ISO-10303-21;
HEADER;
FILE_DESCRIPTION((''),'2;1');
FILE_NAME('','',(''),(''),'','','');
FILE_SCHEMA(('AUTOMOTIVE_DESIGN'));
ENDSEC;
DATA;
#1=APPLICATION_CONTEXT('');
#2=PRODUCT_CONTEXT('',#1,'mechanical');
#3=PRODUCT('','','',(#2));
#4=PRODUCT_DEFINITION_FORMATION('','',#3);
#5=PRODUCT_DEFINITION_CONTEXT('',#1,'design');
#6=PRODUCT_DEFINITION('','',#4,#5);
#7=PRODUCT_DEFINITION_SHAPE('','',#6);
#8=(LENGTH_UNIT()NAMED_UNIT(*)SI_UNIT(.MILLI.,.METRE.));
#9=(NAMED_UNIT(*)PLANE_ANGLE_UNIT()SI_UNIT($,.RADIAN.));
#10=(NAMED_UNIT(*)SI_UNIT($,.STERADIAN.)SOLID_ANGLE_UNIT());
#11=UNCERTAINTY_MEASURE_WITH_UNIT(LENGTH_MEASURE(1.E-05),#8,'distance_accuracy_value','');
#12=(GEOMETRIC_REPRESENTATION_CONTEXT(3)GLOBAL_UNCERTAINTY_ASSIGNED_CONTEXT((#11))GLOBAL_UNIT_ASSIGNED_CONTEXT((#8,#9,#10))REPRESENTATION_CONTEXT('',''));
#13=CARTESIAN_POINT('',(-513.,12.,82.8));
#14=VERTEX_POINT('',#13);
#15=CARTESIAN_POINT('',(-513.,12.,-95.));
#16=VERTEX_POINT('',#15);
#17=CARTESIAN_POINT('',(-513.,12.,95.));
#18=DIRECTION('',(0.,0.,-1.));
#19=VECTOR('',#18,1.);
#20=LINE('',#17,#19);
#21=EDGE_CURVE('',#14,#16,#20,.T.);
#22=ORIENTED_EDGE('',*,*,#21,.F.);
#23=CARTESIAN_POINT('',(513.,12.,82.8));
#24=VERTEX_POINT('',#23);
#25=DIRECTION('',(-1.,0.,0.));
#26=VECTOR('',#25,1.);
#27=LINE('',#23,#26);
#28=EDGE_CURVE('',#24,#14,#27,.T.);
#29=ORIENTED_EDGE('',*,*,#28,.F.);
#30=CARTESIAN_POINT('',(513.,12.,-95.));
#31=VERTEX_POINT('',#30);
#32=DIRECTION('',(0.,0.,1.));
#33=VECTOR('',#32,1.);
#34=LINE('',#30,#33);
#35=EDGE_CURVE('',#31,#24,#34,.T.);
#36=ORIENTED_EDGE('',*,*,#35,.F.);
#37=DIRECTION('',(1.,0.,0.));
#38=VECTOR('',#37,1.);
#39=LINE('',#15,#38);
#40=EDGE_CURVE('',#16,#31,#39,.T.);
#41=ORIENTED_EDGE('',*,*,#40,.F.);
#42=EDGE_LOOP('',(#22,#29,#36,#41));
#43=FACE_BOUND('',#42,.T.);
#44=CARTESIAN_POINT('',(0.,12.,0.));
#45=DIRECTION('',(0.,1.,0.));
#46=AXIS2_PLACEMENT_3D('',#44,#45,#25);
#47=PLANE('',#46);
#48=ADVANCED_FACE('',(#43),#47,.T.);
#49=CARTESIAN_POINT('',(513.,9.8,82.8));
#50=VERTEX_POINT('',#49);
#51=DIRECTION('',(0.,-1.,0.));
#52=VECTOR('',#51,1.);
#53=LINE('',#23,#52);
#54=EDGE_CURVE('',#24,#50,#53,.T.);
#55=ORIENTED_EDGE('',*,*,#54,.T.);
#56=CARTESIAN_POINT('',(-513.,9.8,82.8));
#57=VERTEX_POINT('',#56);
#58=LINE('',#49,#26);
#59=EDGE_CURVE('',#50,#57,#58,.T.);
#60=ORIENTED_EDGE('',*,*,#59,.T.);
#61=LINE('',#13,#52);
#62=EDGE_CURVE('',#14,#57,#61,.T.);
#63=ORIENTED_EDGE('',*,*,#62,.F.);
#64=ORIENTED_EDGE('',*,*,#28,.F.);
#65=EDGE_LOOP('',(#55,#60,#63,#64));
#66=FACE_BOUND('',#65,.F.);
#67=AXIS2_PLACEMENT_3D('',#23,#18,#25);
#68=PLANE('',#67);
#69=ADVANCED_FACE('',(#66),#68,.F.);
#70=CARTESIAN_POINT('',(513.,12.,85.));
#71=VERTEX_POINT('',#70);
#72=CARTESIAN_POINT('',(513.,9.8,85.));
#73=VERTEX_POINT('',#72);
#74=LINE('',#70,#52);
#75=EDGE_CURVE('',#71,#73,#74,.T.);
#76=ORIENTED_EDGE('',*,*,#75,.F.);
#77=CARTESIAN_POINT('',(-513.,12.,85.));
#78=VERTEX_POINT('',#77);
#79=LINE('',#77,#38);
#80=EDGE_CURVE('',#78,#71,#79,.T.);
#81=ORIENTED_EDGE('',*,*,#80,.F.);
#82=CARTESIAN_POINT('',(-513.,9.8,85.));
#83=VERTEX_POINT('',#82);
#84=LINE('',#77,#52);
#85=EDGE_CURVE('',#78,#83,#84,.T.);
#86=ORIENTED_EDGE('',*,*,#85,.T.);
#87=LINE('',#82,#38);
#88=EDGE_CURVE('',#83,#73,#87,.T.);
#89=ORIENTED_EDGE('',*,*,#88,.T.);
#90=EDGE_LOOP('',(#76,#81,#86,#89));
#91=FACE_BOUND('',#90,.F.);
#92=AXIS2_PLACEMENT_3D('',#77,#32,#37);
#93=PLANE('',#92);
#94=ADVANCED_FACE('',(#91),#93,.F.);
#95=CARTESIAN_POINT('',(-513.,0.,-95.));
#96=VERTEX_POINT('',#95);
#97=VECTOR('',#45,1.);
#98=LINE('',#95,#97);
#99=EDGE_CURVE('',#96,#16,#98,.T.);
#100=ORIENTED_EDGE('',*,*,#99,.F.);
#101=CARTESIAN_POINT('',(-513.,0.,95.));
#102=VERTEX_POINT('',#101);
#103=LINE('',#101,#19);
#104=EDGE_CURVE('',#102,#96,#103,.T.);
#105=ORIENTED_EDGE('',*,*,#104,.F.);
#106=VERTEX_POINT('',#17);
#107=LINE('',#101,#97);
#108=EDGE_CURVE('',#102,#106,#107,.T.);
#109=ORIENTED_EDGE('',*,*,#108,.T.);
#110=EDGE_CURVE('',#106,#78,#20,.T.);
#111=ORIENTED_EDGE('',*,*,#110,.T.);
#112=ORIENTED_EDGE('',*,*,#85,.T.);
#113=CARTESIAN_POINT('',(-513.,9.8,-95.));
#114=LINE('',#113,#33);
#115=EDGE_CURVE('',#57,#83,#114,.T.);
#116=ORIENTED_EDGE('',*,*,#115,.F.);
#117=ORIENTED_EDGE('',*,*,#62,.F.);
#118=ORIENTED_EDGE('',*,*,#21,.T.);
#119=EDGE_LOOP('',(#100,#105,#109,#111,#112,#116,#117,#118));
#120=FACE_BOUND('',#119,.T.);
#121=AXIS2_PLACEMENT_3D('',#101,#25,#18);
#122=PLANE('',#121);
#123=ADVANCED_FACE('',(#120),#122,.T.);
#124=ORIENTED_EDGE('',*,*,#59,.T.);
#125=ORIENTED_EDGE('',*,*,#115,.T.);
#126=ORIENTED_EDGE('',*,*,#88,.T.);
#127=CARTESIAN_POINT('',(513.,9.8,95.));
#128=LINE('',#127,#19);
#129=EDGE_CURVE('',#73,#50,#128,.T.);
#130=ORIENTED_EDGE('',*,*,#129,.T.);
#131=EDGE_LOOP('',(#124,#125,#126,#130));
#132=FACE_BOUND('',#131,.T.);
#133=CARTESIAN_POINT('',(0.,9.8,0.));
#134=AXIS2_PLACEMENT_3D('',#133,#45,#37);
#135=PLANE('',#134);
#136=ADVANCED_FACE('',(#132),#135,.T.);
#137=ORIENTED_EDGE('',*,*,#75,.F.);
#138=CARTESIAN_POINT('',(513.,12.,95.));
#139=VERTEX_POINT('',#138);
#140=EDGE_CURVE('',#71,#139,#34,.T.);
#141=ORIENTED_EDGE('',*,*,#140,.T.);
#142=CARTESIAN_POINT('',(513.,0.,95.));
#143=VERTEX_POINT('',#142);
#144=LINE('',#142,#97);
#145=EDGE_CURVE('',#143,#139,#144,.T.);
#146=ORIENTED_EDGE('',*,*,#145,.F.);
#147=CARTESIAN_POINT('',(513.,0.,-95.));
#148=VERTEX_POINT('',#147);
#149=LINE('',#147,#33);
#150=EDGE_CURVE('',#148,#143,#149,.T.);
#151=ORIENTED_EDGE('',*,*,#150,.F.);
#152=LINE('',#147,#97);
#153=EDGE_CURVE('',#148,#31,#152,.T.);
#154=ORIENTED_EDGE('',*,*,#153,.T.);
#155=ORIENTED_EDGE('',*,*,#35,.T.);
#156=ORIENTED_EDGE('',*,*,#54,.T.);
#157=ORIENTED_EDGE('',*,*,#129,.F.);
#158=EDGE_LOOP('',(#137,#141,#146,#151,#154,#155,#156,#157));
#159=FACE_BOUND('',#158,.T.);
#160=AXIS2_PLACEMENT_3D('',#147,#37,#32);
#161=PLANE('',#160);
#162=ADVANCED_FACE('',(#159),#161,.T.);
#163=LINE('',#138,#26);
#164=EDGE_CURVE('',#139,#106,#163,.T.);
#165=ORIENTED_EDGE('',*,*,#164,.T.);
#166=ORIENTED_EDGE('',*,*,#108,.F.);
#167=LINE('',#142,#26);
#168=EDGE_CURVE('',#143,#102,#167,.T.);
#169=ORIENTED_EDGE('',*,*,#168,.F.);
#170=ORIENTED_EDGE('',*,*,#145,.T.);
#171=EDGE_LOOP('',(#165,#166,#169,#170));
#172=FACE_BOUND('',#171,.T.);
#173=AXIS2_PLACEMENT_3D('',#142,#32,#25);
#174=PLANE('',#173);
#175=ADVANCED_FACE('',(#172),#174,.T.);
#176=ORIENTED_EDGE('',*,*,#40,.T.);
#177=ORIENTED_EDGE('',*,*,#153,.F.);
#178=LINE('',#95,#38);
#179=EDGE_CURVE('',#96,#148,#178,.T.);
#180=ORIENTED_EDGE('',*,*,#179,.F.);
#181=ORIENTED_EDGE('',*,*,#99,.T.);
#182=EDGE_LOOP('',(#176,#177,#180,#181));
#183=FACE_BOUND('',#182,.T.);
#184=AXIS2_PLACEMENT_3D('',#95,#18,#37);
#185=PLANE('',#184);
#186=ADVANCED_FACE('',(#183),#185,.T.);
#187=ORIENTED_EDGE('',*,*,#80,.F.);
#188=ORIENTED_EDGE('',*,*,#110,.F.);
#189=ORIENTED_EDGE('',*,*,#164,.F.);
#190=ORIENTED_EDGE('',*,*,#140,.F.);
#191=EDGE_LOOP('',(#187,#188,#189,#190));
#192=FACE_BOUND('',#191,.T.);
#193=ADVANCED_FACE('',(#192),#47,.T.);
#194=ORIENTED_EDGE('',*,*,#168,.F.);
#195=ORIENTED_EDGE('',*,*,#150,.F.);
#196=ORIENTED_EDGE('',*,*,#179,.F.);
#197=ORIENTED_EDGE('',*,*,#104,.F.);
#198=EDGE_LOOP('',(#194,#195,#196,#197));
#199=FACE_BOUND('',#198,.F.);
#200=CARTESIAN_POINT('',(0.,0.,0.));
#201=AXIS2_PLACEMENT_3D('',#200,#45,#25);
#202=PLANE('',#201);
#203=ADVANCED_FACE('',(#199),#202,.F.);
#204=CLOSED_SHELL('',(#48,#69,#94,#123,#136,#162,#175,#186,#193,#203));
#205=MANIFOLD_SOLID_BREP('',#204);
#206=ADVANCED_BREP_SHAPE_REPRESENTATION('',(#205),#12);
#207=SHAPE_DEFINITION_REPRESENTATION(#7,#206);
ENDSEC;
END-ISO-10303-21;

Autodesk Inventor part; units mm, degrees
ref_plane "YZ Plane" through (0, 0, 0) normal (1, 0, 0) x (0, 1, 0)
ref_plane "XZ Plane" through (0, 0, 0) normal (0, 1, 0) x (-1, 0, 0)
ref_plane "XY Plane" through (0, 0, 0) normal (0, 0, 1) x (1, 0, 0)
sketch "Skizze1" plane through (0, 0, 0) normal (0, 1, 0) x (-1, 0, 0)
  line L0 (-513, 95) -> (513, 95)
  line L1 (513, 95) -> (513, -95)
  line L2 (513, -95) -> (-513, -95)
  line L3 (-513, -95) -> (-513, 95)
  point P0 (0, 0)
  point P1 (0, 95)
  point P2 (513, 0)
  dimension "d0" = 1026
  dimension "d1" = 190
extrude "Extrusion1" add sketch "Skizze1" along normal blind 12
sketch "Skizze2" plane through (0, 12, 0) normal (0, 1, 0) x (1, 0, 0)
  line L0 (513, 95) -> (-513, 95) projected
  line L1 (-513, 95) -> (-513, -95) projected
  line L2 (-513, -95) -> (513, -95) projected
  line L3 (513, -95) -> (513, 95) projected
  line L4 (-513, -85) -> (513, -85)
  line L5 (513, -85) -> (513, -82.8)
  line L6 (513, -82.8) -> (-513, -82.8)
  line L7 (-513, -82.8) -> (-513, -85)
  point P0 (0, 0)
  dimension "d4" = 2.2
  dimension "d5" = 10
extrude "Extrusion2" cut sketch "Skizze2" against normal blind 2.2 contours L3 L4 L1 L6
equation "\"d6\" = d4"
properties part number "Längsseite_Gehäuse" material "Holz (Kirsche)"
